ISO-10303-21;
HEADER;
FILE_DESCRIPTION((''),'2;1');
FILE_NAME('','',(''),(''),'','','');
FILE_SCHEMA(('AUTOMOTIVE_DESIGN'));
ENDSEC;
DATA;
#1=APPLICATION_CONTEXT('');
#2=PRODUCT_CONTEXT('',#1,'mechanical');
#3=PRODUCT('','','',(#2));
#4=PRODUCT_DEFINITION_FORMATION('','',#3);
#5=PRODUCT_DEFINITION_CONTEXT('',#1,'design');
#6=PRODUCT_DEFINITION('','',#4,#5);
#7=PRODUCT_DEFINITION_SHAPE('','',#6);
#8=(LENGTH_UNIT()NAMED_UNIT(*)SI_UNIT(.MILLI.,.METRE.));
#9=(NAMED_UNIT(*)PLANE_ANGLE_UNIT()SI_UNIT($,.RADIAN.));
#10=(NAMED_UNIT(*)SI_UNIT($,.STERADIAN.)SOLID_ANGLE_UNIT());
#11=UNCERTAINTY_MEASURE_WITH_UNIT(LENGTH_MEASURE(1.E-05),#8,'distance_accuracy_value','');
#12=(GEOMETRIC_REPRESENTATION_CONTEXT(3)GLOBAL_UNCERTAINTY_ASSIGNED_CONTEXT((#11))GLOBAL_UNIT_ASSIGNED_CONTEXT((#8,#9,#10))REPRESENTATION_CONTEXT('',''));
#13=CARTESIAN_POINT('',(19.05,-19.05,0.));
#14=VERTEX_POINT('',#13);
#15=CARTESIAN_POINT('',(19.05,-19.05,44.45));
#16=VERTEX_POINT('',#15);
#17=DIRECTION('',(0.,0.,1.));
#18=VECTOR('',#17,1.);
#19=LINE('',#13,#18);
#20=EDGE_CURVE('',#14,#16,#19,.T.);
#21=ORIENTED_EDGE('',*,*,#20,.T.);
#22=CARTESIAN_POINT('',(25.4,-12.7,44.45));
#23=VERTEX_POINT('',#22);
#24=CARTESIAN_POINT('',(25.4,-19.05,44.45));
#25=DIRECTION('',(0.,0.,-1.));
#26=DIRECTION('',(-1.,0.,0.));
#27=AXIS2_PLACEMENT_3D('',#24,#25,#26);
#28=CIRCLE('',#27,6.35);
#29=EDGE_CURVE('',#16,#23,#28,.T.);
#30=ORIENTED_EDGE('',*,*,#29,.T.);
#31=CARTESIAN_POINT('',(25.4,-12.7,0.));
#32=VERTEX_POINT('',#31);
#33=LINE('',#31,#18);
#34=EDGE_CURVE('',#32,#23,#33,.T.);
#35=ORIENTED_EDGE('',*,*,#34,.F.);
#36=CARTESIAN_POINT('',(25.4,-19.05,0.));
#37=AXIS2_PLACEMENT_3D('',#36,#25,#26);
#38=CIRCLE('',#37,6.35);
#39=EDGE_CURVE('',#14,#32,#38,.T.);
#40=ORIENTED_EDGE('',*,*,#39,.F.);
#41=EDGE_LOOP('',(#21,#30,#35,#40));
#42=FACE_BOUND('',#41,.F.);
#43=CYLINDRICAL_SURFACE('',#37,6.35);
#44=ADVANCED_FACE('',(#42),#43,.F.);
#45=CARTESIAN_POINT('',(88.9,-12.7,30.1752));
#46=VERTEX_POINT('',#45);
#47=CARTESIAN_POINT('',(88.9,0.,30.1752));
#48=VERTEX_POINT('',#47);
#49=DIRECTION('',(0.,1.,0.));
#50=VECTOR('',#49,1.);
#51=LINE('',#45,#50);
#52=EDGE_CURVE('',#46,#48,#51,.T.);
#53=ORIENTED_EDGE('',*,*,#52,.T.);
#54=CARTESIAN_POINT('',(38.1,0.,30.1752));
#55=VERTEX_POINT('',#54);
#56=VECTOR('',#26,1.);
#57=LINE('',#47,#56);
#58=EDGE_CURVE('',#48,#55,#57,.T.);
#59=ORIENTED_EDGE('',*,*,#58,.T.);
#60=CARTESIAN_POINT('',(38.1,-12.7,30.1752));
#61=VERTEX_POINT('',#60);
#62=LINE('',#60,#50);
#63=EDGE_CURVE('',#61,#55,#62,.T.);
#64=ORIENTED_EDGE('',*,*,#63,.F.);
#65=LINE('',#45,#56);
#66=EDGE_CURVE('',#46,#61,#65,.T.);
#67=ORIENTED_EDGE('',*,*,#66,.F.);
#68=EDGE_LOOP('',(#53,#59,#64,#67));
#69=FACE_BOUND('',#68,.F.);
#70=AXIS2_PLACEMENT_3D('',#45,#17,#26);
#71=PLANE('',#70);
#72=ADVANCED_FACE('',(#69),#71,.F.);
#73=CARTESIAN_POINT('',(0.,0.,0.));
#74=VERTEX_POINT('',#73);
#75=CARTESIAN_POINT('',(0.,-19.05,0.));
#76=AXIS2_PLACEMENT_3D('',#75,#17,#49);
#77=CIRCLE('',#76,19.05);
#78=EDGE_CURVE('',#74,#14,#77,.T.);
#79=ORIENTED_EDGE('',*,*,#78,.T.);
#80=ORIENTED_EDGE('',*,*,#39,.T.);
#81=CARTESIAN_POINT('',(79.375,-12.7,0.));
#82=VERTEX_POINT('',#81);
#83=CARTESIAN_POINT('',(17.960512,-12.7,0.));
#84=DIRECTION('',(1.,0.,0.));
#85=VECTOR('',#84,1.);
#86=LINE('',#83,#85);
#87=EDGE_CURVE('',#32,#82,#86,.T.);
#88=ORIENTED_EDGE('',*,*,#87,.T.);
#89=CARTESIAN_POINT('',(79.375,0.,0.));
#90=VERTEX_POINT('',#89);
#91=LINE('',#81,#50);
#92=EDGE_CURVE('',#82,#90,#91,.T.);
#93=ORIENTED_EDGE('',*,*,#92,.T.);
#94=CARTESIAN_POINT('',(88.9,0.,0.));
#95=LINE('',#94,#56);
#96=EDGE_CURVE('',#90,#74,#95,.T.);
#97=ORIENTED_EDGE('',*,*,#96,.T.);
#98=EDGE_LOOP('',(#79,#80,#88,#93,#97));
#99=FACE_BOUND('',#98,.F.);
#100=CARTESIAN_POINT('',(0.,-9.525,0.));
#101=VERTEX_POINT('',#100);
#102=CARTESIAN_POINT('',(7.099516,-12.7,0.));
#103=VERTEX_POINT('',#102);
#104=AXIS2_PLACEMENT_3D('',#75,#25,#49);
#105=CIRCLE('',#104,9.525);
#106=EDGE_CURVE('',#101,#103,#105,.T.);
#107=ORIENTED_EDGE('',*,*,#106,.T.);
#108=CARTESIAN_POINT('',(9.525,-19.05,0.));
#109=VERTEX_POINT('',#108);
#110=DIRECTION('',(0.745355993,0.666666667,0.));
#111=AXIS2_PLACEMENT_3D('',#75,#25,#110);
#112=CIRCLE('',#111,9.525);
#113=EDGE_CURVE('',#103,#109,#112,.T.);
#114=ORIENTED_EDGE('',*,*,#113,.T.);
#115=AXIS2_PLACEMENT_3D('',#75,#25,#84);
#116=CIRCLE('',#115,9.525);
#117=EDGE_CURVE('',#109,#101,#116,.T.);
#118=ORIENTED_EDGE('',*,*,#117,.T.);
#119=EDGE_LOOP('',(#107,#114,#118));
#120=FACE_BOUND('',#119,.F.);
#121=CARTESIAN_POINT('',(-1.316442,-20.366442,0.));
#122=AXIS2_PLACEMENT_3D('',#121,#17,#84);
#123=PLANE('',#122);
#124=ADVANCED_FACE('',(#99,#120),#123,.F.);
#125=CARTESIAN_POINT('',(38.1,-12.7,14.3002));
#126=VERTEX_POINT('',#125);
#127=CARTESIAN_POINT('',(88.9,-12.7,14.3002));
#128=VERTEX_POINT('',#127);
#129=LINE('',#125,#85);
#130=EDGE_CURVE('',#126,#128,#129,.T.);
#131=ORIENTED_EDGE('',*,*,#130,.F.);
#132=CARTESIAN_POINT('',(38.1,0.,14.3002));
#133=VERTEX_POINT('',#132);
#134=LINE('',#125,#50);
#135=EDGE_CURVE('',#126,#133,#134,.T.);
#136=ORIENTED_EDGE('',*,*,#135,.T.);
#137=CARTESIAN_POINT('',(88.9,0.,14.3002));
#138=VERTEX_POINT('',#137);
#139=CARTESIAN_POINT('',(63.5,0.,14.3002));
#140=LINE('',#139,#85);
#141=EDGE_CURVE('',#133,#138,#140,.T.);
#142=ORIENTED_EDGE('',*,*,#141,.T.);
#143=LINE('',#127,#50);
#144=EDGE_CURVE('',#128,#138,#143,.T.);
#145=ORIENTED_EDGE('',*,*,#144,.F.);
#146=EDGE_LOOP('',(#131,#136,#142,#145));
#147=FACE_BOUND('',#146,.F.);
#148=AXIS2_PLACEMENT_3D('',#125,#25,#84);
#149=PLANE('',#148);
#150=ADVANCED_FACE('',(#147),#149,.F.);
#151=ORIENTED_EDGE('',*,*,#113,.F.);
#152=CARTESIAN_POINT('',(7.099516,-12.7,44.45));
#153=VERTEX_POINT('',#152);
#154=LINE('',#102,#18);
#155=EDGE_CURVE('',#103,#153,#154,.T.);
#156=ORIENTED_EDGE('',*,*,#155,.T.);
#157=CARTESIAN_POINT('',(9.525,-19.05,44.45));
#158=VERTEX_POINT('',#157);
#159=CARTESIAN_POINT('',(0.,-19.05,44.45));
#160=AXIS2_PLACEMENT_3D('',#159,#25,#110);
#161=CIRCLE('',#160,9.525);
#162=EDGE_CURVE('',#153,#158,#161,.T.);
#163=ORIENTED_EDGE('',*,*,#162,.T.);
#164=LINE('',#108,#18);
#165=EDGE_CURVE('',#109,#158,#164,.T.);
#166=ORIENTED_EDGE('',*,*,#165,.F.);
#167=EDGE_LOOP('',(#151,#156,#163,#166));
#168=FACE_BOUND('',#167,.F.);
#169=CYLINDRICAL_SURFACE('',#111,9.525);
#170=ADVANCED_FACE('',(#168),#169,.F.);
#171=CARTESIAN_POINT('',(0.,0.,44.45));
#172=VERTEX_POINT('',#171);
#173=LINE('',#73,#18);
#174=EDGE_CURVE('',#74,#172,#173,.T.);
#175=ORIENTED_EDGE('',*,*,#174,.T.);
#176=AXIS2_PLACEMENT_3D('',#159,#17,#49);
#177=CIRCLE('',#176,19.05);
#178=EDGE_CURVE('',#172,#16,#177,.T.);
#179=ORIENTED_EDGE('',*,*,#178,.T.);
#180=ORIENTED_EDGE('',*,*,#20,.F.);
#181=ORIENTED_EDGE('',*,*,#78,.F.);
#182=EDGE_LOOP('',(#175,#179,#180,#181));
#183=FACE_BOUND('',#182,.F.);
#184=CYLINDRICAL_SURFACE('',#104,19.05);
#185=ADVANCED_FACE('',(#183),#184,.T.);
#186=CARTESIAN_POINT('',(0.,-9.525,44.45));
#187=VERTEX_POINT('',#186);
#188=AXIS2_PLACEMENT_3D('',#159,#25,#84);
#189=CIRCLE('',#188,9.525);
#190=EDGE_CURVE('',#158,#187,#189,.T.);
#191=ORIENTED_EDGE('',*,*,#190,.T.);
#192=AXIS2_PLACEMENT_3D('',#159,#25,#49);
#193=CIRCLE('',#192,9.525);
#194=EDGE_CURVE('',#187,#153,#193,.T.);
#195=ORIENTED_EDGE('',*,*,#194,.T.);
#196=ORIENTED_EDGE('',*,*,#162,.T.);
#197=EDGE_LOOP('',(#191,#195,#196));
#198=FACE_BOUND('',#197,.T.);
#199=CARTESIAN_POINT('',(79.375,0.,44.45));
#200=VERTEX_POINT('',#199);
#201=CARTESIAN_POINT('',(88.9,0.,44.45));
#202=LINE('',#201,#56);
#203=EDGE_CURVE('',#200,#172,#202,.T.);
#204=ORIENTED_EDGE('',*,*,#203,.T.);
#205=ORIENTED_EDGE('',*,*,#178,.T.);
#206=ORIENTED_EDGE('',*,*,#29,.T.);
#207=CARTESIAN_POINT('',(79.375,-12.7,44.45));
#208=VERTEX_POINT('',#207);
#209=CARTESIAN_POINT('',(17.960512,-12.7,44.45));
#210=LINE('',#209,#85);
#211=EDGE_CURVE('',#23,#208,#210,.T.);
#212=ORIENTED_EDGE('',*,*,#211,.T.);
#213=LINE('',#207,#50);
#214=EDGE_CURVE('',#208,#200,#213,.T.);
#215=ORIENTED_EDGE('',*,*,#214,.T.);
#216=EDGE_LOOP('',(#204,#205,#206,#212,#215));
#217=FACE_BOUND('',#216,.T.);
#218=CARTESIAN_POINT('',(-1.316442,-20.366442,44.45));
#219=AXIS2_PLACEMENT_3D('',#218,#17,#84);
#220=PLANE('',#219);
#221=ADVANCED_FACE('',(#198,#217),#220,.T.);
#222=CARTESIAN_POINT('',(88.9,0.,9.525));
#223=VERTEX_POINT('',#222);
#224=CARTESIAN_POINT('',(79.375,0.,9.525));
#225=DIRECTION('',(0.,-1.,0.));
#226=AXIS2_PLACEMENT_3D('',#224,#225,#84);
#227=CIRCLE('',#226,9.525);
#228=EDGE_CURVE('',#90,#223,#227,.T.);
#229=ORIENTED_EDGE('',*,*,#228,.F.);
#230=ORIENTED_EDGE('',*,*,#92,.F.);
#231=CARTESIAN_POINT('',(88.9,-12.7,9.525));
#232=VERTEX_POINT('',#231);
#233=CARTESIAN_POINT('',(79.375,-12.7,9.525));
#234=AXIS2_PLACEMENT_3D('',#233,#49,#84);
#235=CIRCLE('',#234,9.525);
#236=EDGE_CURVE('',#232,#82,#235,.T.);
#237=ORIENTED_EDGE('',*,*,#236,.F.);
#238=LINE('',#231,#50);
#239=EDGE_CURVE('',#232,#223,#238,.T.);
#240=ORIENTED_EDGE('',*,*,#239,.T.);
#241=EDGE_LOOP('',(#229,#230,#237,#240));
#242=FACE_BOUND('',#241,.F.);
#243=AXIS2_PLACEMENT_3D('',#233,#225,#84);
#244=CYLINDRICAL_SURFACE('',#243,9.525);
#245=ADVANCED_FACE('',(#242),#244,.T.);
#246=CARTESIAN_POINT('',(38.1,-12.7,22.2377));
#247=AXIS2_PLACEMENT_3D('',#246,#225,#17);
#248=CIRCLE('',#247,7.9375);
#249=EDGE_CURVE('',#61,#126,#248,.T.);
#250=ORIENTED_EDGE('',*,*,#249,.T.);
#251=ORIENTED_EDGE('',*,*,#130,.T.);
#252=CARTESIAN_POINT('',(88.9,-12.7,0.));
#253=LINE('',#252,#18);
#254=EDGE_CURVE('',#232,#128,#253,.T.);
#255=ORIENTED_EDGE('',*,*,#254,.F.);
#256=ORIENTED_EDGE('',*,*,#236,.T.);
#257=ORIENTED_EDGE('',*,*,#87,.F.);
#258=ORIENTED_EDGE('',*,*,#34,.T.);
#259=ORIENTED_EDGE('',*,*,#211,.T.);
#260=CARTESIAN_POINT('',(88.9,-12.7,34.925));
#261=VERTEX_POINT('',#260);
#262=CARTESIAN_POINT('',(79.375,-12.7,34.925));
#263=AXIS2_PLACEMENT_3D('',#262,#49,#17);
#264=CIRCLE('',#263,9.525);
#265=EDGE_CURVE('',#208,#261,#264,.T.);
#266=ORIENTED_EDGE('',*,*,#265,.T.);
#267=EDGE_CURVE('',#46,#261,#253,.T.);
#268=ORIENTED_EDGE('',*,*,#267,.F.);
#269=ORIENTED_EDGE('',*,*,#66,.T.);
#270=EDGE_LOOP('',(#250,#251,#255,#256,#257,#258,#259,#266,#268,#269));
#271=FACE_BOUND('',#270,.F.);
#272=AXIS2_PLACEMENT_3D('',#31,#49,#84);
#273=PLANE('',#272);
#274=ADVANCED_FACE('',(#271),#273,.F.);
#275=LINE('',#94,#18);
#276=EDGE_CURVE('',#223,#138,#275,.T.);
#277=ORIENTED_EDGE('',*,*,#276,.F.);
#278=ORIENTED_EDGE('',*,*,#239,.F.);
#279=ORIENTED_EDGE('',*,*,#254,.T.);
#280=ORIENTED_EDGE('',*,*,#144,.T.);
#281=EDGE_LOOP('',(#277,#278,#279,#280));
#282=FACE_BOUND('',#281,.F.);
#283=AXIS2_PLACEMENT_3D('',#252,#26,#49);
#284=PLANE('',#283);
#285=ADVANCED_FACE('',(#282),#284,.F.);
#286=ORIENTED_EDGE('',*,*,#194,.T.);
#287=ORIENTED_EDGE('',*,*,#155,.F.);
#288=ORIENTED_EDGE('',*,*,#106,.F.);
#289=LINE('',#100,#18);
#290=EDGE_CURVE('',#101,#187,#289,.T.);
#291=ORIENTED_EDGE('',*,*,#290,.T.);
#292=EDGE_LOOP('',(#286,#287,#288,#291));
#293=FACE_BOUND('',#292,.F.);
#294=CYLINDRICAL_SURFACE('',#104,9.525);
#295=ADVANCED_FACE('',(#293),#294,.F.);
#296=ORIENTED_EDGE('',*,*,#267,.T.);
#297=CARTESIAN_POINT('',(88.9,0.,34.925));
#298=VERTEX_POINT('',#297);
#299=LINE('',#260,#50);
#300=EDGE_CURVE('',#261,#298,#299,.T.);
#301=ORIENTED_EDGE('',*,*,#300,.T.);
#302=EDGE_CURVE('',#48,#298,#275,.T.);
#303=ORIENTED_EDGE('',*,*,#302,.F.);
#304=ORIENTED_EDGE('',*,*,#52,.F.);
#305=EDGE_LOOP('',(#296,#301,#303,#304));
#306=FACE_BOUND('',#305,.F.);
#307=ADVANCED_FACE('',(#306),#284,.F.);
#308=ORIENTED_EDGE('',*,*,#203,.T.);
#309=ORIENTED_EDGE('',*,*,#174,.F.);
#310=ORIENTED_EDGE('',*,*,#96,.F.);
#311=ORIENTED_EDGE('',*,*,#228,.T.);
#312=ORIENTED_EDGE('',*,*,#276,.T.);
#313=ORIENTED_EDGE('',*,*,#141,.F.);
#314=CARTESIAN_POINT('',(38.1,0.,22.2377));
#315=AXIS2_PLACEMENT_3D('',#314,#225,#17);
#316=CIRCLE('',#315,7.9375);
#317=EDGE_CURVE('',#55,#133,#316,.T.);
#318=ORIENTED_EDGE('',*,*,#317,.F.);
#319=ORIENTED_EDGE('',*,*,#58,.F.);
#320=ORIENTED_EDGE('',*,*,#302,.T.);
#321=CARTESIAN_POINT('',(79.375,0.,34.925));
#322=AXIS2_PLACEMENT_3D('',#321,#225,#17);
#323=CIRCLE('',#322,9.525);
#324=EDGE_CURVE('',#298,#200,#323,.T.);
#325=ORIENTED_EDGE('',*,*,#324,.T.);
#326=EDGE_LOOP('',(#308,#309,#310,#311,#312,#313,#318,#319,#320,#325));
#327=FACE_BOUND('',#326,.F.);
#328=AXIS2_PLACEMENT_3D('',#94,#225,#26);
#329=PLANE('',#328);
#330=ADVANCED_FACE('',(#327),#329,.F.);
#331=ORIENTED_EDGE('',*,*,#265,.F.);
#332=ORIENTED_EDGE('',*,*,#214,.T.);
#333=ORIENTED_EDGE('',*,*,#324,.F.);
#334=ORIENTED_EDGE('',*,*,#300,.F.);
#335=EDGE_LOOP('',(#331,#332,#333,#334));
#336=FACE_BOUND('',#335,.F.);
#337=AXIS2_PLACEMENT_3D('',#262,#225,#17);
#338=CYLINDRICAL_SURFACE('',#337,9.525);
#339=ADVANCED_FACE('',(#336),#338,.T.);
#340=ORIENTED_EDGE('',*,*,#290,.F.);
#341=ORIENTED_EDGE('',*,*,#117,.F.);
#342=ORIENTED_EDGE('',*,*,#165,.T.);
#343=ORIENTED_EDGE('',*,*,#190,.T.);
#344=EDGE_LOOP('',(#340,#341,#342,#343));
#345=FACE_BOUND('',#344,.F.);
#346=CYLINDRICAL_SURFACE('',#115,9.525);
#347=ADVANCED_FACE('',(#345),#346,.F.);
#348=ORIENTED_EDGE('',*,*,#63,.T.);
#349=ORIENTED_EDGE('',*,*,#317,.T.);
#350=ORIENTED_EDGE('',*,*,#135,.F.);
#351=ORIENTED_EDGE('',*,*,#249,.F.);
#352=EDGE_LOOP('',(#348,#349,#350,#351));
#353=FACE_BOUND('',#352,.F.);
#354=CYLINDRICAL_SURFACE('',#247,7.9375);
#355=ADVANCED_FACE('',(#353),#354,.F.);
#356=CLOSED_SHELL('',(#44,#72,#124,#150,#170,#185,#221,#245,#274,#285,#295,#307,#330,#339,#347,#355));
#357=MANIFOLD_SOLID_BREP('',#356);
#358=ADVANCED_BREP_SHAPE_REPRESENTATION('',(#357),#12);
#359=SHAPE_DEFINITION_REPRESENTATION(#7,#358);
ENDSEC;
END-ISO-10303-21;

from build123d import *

# Parameters (mm, degrees)
F1_DEPTH = 44.45
F3_DEPTH = 12.701


with BuildPart() as f1:
    # F0 (on Top) → F1 (new body)
    with BuildSketch(Plane.XY):
        with BuildLine():
            ThreePointArc((9.525, -19.05), (-6.7351920908, -25.7851920908), (0, -9.525))
            Line((0, -9.525), (0, 0))
            ThreePointArc((0, 0), (-13.4703841816, -32.5203841816), (19.05, -19.05))
            Line((19.05, -19.05), (9.525, -19.05))
        make_face()
        with BuildLine():
            ThreePointArc((7.0995158286, -12.7), (8.8979917191, -15.6512695949), (9.525, -19.05))
            Line((9.525, -19.05), (19.05, -19.05))
            ThreePointArc((19.05, -19.05), (18.7756525614, -15.8286073053), (17.9605122421, -12.7))
            Line((17.9605122421, -12.7), (7.0995158286, -12.7))
        make_face()
        with BuildLine():
            Line((0, 0), (0, -9.525))
            ThreePointArc((0, -9.525), (3.8885649667, -10.3549043996), (7.0995158286, -12.7))
            Line((7.0995158286, -12.7), (17.9605122421, -12.7))
            ThreePointArc((17.9605122421, -12.7), (10.9985226281, -3.4957401333), (0, 0))
        make_face()
        Polygon((88.9, 0), (19.05, 0), (19.05, -12.7), (25.4, -12.7), (88.9, -12.7), align=None)
        with BuildLine():
            Line((19.05, 0), (0, 0))
            ThreePointArc((0, 0), (10.9985226281, -3.4957401333), (17.9605122421, -12.7))
            Line((17.9605122421, -12.7), (19.05, -12.7))
            Line((19.05, -12.7), (19.05, 0))
        make_face()
        with BuildLine():
            ThreePointArc((17.9605122421, -12.7), (18.7756525614, -15.8286073053), (19.05, -19.05))
            Line((19.05, -19.05), (19.05, -12.7))
            Line((19.05, -12.7), (17.9605122421, -12.7))
        make_face()
        with BuildLine():
            Line((19.05, -12.7), (19.05, -19.05))
            ThreePointArc((19.05, -19.05), (20.9098719395, -14.5598719395), (25.4, -12.7))
            Line((25.4, -12.7), (19.05, -12.7))
        make_face()
    extrude(amount=F1_DEPTH)

    # F2 (on face) → F3 (cut, through all)
    with BuildSketch(Plane.XZ.offset(12.7)):
        with BuildLine():
            Line((38.1, 14.3002), (88.9, 14.3002))
            Line((88.9, 14.3002), (88.9, 22.2377))
            Line((88.9, 22.2377), (88.9, 30.1752))
            Line((88.9, 30.1752), (38.1, 30.1752))
            ThreePointArc((38.1, 30.1752), (30.1625, 22.2377), (38.1, 14.3002))
        make_face()
        with BuildLine():
            ThreePointArc((79.375, 44.45), (86.1101920908, 41.6601920908), (88.9, 34.925))
            Line((88.9, 34.925), (88.9, 44.45))
            Line((88.9, 44.45), (79.375, 44.45))
        make_face()
        with BuildLine():
            ThreePointArc((88.9, 9.525), (86.1101920908, 2.7898079092), (79.375, 0))
            Line((79.375, 0), (88.9, 0))
            Line((88.9, 0), (88.9, 9.525))
        make_face()
    extrude(amount=-F3_DEPTH, mode=Mode.SUBTRACT)


solid = f1.part
